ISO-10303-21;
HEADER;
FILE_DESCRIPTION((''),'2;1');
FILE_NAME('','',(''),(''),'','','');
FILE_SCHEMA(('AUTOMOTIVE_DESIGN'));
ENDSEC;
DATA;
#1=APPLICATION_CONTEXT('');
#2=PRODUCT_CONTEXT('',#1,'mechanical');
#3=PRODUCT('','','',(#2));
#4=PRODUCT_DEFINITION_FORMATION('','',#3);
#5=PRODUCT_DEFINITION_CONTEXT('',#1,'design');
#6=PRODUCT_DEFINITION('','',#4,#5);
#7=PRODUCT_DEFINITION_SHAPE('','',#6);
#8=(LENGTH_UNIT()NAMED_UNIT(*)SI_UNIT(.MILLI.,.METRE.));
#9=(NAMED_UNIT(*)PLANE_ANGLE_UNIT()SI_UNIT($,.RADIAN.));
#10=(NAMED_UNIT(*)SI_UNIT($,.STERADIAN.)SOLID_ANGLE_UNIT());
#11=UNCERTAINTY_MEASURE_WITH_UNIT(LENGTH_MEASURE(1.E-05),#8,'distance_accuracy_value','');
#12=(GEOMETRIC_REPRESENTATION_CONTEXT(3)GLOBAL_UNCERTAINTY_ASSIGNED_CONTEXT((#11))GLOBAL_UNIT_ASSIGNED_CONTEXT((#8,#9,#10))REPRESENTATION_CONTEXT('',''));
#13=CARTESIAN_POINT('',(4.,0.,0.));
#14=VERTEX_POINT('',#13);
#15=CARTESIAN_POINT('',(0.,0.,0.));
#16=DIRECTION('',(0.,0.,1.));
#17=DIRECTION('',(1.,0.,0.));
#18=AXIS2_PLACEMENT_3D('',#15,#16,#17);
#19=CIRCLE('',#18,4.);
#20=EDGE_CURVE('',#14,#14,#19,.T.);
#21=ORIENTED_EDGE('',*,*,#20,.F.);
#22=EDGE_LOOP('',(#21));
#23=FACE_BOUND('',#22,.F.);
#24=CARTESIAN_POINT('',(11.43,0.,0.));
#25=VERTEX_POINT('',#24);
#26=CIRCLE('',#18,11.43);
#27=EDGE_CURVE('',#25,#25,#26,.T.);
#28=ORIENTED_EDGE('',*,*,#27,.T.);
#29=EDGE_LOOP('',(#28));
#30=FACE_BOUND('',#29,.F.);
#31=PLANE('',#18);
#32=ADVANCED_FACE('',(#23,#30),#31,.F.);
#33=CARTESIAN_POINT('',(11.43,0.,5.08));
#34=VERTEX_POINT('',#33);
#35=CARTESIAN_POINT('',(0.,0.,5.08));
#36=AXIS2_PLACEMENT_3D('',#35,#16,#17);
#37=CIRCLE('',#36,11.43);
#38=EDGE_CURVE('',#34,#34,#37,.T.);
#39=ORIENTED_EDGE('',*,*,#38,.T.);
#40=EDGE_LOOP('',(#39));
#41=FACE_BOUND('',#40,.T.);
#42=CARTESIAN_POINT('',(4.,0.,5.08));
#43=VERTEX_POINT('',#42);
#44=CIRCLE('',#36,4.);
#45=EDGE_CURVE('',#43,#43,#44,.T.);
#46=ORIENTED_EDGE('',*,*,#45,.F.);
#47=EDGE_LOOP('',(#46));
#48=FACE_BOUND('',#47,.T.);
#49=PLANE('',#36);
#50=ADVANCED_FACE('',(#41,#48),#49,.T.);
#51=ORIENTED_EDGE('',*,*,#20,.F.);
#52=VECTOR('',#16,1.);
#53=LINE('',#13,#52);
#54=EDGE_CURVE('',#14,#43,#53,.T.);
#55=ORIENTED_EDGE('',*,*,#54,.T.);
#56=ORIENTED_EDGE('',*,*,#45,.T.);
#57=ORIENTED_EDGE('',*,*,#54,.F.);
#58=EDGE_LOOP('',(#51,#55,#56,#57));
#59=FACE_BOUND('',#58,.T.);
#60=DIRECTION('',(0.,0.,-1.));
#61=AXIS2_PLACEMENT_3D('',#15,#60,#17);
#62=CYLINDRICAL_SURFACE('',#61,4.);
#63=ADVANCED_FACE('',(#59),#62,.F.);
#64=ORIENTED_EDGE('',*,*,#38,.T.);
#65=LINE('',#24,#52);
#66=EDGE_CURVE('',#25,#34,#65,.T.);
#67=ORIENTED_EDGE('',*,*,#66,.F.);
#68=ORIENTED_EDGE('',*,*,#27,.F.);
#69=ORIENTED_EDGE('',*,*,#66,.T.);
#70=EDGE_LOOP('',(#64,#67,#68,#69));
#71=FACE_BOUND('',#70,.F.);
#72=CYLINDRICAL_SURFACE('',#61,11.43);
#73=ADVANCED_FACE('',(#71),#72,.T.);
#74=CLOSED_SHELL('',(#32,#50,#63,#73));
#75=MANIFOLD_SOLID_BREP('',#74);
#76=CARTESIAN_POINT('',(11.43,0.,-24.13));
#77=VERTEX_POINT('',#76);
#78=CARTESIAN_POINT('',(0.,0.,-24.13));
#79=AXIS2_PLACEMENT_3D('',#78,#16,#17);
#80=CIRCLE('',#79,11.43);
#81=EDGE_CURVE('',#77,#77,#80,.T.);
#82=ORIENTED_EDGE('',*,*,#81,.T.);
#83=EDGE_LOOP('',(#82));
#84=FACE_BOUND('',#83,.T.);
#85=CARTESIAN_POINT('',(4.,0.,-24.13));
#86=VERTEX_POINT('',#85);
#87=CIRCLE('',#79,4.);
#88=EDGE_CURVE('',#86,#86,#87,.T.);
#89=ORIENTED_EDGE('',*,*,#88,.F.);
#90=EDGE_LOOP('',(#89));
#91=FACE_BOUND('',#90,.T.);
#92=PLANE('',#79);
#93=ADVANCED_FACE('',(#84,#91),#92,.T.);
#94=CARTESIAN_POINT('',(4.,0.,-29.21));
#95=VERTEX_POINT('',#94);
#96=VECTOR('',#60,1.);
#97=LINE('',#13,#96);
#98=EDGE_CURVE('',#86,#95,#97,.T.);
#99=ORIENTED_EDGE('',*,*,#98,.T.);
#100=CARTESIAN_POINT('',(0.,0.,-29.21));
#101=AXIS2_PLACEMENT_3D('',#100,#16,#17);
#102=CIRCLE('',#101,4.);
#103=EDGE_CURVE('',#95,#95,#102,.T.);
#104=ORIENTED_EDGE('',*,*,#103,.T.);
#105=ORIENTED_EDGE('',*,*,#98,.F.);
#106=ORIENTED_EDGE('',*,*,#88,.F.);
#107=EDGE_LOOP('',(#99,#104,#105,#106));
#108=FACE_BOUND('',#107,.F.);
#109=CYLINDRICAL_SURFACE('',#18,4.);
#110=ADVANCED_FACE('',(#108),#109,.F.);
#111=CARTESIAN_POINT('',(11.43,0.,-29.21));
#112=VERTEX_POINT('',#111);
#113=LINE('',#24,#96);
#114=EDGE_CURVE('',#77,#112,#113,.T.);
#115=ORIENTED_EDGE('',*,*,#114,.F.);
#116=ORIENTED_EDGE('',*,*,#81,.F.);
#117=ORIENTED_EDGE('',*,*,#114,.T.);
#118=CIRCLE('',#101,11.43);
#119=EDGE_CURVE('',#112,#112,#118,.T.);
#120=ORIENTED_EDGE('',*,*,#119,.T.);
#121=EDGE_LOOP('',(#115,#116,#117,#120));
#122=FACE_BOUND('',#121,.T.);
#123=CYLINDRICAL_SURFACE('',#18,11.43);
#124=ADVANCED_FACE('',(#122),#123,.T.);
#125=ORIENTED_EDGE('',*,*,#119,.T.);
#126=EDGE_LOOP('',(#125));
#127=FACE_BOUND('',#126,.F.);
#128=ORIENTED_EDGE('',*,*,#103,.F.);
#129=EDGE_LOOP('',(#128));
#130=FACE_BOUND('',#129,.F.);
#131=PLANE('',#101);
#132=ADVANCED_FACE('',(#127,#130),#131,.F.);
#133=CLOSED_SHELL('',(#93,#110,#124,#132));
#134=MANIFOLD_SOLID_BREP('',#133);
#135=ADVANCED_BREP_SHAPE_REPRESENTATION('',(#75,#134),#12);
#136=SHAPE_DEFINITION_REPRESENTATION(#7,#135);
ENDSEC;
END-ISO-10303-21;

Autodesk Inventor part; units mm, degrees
ref_plane "YZ Plane" through (0, 0, 0) normal (1, 0, 0) x (0, 1, 0)
ref_plane "XZ Plane" through (0, 0, 0) normal (0, 1, 0) x (-1, 0, 0)
ref_plane "XY Plane" through (0, 0, 0) normal (0, 0, 1) x (1, 0, 0)
sketch "Sketch1" plane through (0, 0, 0) normal (0, 0, 1) x (1, 0, 0)
  circle A0 centre (0, 0) radius 4
  circle A1 centre (0, 0) radius 11.43
  dimension "d0" = 8
  dimension "d1" = 22.86
extrude "Extrusion1" add sketch "Sketch1" along normal blind 5.08 and the other way blind 29.21
extrude "Extrusion2" cut sketch "Sketch1" against normal blind 24.13
properties part number "moving piece"
